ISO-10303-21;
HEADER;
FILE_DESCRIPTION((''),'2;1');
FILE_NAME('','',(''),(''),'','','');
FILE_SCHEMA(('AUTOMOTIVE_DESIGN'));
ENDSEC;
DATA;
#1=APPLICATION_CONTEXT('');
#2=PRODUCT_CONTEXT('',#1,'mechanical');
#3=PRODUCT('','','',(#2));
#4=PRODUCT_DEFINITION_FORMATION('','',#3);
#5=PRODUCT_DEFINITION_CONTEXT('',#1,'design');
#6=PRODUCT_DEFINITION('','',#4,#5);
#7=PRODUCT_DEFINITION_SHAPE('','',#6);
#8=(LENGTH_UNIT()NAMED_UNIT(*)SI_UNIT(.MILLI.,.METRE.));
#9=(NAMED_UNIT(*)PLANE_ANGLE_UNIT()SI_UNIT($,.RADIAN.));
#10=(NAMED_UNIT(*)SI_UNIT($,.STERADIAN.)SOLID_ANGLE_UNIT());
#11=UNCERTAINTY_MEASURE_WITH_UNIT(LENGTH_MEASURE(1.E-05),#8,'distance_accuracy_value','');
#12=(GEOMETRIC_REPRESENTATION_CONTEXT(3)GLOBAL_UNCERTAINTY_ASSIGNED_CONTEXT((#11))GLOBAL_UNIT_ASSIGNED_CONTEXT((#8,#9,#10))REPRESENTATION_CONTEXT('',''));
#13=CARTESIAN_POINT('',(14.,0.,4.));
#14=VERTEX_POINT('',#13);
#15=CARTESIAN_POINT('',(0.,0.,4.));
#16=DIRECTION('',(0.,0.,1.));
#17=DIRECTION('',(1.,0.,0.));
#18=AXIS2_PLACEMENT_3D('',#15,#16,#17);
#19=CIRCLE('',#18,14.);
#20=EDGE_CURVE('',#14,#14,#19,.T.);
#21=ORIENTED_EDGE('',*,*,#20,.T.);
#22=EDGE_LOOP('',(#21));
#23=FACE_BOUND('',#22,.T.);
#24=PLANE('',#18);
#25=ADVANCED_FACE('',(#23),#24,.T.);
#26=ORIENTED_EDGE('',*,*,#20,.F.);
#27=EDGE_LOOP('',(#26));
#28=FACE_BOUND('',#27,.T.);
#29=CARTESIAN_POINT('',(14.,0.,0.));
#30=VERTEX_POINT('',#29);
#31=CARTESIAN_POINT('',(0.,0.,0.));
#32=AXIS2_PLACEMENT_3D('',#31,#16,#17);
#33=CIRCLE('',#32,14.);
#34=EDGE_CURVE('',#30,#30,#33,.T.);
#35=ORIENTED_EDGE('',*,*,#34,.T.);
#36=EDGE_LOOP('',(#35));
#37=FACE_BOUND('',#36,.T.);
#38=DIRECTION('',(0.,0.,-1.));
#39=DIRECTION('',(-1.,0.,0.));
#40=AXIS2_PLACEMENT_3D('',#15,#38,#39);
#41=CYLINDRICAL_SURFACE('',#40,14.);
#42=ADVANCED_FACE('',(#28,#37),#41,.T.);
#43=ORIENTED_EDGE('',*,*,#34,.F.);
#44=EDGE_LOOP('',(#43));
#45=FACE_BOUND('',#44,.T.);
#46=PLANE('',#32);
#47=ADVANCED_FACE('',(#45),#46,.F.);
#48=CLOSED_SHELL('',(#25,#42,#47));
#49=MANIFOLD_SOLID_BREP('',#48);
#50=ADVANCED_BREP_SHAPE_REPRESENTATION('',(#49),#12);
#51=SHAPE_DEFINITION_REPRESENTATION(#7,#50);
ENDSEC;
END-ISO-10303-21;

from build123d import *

# Parameters (mm, degrees)
SZKIC1_R                    = 14
DODANIE_WYCI_GNI_CIE1_DEPTH = 4


with BuildPart() as part:
    # Szkic1 → Dodanie-wyciągnięcie1 (new body)
    with BuildSketch(Plane.XY):
        Circle(SZKIC1_R)
    extrude(amount=DODANIE_WYCI_GNI_CIE1_DEPTH)


solid = part.part
